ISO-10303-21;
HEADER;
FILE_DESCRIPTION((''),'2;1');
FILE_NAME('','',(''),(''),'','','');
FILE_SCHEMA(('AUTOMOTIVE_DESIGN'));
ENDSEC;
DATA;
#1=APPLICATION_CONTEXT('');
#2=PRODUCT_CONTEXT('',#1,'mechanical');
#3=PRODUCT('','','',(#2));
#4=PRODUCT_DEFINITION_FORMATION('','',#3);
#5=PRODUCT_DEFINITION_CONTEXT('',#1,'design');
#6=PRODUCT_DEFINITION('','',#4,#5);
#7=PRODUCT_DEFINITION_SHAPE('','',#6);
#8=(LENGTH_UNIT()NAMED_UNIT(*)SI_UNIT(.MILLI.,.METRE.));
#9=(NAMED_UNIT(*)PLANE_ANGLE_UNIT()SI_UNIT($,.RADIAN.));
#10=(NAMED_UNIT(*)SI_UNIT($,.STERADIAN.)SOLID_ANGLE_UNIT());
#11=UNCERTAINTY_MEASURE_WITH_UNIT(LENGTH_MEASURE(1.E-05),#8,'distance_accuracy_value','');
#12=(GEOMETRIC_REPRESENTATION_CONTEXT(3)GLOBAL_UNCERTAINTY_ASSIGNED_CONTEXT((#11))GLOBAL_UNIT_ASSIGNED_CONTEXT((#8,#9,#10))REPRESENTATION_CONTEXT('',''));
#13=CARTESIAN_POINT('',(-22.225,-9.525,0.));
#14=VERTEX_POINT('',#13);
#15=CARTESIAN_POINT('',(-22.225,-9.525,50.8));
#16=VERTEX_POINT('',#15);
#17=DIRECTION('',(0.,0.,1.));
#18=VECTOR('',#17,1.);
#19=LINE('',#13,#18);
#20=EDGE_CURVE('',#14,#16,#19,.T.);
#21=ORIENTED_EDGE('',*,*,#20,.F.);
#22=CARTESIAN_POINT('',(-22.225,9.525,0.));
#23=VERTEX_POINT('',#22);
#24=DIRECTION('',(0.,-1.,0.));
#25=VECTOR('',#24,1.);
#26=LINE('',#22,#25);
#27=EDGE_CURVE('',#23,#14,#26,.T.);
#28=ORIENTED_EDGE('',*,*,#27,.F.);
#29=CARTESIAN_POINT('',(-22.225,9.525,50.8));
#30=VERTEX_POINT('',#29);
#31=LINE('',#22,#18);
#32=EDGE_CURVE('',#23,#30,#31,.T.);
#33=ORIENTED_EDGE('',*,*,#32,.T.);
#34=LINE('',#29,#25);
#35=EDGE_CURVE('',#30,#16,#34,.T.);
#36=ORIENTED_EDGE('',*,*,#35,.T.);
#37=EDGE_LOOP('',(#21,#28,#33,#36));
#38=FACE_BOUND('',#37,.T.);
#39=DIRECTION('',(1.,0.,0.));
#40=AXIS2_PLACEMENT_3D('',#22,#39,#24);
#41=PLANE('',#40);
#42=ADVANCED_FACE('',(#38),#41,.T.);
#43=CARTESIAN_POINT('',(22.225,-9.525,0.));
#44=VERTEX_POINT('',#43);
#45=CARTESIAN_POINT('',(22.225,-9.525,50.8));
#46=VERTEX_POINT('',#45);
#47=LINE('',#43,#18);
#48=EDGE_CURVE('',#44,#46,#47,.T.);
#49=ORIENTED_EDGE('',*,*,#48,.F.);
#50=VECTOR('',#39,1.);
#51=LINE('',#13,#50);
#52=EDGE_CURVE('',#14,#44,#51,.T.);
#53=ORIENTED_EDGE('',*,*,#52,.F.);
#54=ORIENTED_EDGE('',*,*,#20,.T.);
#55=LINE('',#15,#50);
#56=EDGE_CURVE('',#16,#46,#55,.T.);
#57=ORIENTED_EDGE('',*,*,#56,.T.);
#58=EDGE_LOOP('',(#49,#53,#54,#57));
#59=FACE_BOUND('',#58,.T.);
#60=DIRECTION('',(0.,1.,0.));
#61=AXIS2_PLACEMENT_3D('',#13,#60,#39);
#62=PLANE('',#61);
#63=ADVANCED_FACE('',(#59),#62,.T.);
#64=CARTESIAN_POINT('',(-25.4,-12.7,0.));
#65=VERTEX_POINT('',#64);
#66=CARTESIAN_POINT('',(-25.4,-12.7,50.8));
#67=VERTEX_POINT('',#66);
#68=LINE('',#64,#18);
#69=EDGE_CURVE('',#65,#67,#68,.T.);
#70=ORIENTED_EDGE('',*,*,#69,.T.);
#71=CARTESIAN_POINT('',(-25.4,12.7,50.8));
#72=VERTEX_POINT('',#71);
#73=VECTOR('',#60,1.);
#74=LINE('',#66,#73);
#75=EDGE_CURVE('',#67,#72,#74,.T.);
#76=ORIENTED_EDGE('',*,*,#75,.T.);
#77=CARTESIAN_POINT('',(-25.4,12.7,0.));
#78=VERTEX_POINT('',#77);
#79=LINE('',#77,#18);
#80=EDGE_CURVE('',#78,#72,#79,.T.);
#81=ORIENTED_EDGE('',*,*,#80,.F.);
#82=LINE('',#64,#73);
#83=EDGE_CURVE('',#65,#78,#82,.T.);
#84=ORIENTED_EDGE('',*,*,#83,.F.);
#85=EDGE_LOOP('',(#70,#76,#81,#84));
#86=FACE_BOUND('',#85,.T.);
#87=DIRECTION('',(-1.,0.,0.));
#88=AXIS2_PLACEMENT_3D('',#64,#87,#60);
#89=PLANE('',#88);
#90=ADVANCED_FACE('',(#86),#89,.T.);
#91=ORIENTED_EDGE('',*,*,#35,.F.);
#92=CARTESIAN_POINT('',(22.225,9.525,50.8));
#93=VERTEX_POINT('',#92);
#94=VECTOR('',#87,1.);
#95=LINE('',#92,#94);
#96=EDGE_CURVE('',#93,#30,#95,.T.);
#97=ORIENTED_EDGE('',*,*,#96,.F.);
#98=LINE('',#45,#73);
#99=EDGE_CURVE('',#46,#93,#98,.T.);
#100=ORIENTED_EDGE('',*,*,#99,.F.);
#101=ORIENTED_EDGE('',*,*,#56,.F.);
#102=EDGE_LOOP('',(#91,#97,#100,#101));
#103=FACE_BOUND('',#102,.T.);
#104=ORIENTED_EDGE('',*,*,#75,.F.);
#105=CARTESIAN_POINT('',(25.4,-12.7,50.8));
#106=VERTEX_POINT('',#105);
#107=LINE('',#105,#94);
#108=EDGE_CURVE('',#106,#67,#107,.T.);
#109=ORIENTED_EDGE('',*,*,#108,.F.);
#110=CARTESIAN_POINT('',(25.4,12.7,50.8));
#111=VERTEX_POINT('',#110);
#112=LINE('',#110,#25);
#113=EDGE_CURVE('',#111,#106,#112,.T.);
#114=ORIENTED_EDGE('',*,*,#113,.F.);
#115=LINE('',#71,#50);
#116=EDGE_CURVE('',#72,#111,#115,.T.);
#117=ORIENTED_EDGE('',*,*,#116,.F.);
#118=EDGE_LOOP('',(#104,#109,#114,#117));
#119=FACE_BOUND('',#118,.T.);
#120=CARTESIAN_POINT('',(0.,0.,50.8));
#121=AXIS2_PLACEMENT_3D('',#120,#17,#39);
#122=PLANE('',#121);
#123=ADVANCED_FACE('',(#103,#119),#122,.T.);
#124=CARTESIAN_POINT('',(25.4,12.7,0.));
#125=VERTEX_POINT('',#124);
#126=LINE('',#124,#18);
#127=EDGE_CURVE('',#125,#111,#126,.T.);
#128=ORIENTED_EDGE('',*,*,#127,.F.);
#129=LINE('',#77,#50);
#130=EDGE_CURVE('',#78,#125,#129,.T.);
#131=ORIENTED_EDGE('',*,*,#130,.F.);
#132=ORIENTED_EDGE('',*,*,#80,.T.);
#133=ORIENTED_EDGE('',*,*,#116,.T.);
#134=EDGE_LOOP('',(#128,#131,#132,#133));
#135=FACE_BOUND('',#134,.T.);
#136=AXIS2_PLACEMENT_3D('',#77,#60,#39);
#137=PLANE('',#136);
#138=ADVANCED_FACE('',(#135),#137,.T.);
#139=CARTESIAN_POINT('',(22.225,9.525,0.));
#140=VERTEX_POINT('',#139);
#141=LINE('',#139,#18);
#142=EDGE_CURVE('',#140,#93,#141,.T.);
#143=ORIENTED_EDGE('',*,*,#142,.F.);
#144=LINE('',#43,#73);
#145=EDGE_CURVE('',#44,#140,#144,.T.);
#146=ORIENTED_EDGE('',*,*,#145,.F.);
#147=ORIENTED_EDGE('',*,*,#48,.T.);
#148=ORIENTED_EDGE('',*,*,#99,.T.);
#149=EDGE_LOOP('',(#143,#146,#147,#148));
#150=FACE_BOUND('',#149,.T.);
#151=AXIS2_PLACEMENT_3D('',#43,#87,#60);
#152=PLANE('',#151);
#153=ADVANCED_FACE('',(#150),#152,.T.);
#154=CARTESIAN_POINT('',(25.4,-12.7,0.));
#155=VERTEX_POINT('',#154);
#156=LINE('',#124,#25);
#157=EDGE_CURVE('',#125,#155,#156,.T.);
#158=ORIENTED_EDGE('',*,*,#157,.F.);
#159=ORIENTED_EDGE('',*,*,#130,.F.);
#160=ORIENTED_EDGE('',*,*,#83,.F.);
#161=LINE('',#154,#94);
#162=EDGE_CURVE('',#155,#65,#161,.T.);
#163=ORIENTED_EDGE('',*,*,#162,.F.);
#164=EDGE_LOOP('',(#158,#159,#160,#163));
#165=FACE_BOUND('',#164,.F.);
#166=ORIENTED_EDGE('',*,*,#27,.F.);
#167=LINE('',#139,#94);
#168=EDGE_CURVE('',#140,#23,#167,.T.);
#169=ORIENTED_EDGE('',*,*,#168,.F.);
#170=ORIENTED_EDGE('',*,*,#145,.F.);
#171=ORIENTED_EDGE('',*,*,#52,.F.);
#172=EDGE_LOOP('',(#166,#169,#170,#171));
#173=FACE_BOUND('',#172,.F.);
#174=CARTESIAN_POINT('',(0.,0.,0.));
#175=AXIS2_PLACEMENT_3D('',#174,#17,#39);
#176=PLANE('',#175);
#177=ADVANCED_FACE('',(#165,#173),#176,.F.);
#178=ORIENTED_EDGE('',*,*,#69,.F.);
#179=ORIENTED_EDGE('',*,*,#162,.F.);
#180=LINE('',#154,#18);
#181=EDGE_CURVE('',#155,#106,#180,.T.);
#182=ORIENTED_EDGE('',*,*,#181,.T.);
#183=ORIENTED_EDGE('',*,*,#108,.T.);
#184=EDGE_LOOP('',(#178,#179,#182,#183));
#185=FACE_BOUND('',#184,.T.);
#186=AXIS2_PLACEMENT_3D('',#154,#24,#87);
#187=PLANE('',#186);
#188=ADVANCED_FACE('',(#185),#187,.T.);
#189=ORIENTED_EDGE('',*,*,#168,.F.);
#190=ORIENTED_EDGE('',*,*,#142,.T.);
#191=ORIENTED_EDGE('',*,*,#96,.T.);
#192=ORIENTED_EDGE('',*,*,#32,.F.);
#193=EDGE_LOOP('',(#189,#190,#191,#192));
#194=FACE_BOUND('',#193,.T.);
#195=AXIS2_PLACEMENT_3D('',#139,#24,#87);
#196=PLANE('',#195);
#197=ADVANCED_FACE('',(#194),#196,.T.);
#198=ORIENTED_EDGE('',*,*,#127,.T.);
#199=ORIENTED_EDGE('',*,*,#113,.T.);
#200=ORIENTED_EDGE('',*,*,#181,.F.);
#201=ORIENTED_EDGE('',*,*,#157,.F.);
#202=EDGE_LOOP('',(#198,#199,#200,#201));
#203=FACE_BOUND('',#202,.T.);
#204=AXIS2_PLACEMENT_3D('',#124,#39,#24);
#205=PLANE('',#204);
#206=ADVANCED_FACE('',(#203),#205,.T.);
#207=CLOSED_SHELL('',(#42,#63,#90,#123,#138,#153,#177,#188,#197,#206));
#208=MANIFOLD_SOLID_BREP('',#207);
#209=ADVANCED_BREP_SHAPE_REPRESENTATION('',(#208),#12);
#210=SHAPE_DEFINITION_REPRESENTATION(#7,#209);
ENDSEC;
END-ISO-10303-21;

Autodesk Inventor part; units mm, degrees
ref_plane "YZ Plane" through (0, 0, 0) normal (1, 0, 0) x (0, 1, 0)
ref_plane "Start Plane" through (0, 0, 0) normal (0, 0, 1) x (1, 0, 0)
ref_plane "End Plane" through (0, 0, 50.8) normal (0, 0, 1) x (1, 0, 0)
sketch "Sketch1" plane through (0, 0, 0) normal (0, 0, 1) x (1, 0, 0)
  line L0 (-25.4, 12.7) -> (25.4, 12.7)
  line L1 (25.4, 12.7) -> (25.4, -12.7)
  line L2 (25.4, -12.7) -> (-25.4, -12.7)
  line L3 (-25.4, -12.7) -> (-25.4, 12.7)
  line L4 (22.225, 9.525) -> (-22.225, 9.525)
  line L5 (-22.225, 9.525) -> (-22.225, -9.525)
  line L6 (-22.225, -9.525) -> (22.225, -9.525)
  line L7 (22.225, -9.525) -> (22.225, 9.525)
  point P0 (0, 0)
  point P1 (0, 12.7)
  point P2 (-25.4, 0)
  dimension "d0" = 50.8
  dimension "d1" = 25.4
  dimension "d2" = 3.175
extrude "Body" add sketch "Sketch1" along normal up to surface (50.8 mm away) from surface at 0
sketch "Sketch2" plane through (0, 0, 0) normal (0, 0, 1) x (1, 0, 0)
  line L0 (0, 0) -> (10, 0)
ref_plane "Work Plane3" through (0, 0, 0) normal (0, -1, 0) x (1, 0, 0)
sketch "Sketch3" plane through (0, 0, 0) normal (0, -1, 0) x (1, 0, 0)
  line L0 (-35.56, 0) -> (35.56, 0)
  line L1 (-35.56, 50.8) -> (35.56, 50.8)
  dimension "d10" = 50.8
equation "\"G_OFFSET_START\" = 0"
equation "\"G_OFFSET_END\" = 0"
equation "\"d6\" = length + G_OFFSET_END"
equation "\"G_L\" = d10"
equation "\"length\" = 50.8"
properties part number "2x1x.125 Tube"
